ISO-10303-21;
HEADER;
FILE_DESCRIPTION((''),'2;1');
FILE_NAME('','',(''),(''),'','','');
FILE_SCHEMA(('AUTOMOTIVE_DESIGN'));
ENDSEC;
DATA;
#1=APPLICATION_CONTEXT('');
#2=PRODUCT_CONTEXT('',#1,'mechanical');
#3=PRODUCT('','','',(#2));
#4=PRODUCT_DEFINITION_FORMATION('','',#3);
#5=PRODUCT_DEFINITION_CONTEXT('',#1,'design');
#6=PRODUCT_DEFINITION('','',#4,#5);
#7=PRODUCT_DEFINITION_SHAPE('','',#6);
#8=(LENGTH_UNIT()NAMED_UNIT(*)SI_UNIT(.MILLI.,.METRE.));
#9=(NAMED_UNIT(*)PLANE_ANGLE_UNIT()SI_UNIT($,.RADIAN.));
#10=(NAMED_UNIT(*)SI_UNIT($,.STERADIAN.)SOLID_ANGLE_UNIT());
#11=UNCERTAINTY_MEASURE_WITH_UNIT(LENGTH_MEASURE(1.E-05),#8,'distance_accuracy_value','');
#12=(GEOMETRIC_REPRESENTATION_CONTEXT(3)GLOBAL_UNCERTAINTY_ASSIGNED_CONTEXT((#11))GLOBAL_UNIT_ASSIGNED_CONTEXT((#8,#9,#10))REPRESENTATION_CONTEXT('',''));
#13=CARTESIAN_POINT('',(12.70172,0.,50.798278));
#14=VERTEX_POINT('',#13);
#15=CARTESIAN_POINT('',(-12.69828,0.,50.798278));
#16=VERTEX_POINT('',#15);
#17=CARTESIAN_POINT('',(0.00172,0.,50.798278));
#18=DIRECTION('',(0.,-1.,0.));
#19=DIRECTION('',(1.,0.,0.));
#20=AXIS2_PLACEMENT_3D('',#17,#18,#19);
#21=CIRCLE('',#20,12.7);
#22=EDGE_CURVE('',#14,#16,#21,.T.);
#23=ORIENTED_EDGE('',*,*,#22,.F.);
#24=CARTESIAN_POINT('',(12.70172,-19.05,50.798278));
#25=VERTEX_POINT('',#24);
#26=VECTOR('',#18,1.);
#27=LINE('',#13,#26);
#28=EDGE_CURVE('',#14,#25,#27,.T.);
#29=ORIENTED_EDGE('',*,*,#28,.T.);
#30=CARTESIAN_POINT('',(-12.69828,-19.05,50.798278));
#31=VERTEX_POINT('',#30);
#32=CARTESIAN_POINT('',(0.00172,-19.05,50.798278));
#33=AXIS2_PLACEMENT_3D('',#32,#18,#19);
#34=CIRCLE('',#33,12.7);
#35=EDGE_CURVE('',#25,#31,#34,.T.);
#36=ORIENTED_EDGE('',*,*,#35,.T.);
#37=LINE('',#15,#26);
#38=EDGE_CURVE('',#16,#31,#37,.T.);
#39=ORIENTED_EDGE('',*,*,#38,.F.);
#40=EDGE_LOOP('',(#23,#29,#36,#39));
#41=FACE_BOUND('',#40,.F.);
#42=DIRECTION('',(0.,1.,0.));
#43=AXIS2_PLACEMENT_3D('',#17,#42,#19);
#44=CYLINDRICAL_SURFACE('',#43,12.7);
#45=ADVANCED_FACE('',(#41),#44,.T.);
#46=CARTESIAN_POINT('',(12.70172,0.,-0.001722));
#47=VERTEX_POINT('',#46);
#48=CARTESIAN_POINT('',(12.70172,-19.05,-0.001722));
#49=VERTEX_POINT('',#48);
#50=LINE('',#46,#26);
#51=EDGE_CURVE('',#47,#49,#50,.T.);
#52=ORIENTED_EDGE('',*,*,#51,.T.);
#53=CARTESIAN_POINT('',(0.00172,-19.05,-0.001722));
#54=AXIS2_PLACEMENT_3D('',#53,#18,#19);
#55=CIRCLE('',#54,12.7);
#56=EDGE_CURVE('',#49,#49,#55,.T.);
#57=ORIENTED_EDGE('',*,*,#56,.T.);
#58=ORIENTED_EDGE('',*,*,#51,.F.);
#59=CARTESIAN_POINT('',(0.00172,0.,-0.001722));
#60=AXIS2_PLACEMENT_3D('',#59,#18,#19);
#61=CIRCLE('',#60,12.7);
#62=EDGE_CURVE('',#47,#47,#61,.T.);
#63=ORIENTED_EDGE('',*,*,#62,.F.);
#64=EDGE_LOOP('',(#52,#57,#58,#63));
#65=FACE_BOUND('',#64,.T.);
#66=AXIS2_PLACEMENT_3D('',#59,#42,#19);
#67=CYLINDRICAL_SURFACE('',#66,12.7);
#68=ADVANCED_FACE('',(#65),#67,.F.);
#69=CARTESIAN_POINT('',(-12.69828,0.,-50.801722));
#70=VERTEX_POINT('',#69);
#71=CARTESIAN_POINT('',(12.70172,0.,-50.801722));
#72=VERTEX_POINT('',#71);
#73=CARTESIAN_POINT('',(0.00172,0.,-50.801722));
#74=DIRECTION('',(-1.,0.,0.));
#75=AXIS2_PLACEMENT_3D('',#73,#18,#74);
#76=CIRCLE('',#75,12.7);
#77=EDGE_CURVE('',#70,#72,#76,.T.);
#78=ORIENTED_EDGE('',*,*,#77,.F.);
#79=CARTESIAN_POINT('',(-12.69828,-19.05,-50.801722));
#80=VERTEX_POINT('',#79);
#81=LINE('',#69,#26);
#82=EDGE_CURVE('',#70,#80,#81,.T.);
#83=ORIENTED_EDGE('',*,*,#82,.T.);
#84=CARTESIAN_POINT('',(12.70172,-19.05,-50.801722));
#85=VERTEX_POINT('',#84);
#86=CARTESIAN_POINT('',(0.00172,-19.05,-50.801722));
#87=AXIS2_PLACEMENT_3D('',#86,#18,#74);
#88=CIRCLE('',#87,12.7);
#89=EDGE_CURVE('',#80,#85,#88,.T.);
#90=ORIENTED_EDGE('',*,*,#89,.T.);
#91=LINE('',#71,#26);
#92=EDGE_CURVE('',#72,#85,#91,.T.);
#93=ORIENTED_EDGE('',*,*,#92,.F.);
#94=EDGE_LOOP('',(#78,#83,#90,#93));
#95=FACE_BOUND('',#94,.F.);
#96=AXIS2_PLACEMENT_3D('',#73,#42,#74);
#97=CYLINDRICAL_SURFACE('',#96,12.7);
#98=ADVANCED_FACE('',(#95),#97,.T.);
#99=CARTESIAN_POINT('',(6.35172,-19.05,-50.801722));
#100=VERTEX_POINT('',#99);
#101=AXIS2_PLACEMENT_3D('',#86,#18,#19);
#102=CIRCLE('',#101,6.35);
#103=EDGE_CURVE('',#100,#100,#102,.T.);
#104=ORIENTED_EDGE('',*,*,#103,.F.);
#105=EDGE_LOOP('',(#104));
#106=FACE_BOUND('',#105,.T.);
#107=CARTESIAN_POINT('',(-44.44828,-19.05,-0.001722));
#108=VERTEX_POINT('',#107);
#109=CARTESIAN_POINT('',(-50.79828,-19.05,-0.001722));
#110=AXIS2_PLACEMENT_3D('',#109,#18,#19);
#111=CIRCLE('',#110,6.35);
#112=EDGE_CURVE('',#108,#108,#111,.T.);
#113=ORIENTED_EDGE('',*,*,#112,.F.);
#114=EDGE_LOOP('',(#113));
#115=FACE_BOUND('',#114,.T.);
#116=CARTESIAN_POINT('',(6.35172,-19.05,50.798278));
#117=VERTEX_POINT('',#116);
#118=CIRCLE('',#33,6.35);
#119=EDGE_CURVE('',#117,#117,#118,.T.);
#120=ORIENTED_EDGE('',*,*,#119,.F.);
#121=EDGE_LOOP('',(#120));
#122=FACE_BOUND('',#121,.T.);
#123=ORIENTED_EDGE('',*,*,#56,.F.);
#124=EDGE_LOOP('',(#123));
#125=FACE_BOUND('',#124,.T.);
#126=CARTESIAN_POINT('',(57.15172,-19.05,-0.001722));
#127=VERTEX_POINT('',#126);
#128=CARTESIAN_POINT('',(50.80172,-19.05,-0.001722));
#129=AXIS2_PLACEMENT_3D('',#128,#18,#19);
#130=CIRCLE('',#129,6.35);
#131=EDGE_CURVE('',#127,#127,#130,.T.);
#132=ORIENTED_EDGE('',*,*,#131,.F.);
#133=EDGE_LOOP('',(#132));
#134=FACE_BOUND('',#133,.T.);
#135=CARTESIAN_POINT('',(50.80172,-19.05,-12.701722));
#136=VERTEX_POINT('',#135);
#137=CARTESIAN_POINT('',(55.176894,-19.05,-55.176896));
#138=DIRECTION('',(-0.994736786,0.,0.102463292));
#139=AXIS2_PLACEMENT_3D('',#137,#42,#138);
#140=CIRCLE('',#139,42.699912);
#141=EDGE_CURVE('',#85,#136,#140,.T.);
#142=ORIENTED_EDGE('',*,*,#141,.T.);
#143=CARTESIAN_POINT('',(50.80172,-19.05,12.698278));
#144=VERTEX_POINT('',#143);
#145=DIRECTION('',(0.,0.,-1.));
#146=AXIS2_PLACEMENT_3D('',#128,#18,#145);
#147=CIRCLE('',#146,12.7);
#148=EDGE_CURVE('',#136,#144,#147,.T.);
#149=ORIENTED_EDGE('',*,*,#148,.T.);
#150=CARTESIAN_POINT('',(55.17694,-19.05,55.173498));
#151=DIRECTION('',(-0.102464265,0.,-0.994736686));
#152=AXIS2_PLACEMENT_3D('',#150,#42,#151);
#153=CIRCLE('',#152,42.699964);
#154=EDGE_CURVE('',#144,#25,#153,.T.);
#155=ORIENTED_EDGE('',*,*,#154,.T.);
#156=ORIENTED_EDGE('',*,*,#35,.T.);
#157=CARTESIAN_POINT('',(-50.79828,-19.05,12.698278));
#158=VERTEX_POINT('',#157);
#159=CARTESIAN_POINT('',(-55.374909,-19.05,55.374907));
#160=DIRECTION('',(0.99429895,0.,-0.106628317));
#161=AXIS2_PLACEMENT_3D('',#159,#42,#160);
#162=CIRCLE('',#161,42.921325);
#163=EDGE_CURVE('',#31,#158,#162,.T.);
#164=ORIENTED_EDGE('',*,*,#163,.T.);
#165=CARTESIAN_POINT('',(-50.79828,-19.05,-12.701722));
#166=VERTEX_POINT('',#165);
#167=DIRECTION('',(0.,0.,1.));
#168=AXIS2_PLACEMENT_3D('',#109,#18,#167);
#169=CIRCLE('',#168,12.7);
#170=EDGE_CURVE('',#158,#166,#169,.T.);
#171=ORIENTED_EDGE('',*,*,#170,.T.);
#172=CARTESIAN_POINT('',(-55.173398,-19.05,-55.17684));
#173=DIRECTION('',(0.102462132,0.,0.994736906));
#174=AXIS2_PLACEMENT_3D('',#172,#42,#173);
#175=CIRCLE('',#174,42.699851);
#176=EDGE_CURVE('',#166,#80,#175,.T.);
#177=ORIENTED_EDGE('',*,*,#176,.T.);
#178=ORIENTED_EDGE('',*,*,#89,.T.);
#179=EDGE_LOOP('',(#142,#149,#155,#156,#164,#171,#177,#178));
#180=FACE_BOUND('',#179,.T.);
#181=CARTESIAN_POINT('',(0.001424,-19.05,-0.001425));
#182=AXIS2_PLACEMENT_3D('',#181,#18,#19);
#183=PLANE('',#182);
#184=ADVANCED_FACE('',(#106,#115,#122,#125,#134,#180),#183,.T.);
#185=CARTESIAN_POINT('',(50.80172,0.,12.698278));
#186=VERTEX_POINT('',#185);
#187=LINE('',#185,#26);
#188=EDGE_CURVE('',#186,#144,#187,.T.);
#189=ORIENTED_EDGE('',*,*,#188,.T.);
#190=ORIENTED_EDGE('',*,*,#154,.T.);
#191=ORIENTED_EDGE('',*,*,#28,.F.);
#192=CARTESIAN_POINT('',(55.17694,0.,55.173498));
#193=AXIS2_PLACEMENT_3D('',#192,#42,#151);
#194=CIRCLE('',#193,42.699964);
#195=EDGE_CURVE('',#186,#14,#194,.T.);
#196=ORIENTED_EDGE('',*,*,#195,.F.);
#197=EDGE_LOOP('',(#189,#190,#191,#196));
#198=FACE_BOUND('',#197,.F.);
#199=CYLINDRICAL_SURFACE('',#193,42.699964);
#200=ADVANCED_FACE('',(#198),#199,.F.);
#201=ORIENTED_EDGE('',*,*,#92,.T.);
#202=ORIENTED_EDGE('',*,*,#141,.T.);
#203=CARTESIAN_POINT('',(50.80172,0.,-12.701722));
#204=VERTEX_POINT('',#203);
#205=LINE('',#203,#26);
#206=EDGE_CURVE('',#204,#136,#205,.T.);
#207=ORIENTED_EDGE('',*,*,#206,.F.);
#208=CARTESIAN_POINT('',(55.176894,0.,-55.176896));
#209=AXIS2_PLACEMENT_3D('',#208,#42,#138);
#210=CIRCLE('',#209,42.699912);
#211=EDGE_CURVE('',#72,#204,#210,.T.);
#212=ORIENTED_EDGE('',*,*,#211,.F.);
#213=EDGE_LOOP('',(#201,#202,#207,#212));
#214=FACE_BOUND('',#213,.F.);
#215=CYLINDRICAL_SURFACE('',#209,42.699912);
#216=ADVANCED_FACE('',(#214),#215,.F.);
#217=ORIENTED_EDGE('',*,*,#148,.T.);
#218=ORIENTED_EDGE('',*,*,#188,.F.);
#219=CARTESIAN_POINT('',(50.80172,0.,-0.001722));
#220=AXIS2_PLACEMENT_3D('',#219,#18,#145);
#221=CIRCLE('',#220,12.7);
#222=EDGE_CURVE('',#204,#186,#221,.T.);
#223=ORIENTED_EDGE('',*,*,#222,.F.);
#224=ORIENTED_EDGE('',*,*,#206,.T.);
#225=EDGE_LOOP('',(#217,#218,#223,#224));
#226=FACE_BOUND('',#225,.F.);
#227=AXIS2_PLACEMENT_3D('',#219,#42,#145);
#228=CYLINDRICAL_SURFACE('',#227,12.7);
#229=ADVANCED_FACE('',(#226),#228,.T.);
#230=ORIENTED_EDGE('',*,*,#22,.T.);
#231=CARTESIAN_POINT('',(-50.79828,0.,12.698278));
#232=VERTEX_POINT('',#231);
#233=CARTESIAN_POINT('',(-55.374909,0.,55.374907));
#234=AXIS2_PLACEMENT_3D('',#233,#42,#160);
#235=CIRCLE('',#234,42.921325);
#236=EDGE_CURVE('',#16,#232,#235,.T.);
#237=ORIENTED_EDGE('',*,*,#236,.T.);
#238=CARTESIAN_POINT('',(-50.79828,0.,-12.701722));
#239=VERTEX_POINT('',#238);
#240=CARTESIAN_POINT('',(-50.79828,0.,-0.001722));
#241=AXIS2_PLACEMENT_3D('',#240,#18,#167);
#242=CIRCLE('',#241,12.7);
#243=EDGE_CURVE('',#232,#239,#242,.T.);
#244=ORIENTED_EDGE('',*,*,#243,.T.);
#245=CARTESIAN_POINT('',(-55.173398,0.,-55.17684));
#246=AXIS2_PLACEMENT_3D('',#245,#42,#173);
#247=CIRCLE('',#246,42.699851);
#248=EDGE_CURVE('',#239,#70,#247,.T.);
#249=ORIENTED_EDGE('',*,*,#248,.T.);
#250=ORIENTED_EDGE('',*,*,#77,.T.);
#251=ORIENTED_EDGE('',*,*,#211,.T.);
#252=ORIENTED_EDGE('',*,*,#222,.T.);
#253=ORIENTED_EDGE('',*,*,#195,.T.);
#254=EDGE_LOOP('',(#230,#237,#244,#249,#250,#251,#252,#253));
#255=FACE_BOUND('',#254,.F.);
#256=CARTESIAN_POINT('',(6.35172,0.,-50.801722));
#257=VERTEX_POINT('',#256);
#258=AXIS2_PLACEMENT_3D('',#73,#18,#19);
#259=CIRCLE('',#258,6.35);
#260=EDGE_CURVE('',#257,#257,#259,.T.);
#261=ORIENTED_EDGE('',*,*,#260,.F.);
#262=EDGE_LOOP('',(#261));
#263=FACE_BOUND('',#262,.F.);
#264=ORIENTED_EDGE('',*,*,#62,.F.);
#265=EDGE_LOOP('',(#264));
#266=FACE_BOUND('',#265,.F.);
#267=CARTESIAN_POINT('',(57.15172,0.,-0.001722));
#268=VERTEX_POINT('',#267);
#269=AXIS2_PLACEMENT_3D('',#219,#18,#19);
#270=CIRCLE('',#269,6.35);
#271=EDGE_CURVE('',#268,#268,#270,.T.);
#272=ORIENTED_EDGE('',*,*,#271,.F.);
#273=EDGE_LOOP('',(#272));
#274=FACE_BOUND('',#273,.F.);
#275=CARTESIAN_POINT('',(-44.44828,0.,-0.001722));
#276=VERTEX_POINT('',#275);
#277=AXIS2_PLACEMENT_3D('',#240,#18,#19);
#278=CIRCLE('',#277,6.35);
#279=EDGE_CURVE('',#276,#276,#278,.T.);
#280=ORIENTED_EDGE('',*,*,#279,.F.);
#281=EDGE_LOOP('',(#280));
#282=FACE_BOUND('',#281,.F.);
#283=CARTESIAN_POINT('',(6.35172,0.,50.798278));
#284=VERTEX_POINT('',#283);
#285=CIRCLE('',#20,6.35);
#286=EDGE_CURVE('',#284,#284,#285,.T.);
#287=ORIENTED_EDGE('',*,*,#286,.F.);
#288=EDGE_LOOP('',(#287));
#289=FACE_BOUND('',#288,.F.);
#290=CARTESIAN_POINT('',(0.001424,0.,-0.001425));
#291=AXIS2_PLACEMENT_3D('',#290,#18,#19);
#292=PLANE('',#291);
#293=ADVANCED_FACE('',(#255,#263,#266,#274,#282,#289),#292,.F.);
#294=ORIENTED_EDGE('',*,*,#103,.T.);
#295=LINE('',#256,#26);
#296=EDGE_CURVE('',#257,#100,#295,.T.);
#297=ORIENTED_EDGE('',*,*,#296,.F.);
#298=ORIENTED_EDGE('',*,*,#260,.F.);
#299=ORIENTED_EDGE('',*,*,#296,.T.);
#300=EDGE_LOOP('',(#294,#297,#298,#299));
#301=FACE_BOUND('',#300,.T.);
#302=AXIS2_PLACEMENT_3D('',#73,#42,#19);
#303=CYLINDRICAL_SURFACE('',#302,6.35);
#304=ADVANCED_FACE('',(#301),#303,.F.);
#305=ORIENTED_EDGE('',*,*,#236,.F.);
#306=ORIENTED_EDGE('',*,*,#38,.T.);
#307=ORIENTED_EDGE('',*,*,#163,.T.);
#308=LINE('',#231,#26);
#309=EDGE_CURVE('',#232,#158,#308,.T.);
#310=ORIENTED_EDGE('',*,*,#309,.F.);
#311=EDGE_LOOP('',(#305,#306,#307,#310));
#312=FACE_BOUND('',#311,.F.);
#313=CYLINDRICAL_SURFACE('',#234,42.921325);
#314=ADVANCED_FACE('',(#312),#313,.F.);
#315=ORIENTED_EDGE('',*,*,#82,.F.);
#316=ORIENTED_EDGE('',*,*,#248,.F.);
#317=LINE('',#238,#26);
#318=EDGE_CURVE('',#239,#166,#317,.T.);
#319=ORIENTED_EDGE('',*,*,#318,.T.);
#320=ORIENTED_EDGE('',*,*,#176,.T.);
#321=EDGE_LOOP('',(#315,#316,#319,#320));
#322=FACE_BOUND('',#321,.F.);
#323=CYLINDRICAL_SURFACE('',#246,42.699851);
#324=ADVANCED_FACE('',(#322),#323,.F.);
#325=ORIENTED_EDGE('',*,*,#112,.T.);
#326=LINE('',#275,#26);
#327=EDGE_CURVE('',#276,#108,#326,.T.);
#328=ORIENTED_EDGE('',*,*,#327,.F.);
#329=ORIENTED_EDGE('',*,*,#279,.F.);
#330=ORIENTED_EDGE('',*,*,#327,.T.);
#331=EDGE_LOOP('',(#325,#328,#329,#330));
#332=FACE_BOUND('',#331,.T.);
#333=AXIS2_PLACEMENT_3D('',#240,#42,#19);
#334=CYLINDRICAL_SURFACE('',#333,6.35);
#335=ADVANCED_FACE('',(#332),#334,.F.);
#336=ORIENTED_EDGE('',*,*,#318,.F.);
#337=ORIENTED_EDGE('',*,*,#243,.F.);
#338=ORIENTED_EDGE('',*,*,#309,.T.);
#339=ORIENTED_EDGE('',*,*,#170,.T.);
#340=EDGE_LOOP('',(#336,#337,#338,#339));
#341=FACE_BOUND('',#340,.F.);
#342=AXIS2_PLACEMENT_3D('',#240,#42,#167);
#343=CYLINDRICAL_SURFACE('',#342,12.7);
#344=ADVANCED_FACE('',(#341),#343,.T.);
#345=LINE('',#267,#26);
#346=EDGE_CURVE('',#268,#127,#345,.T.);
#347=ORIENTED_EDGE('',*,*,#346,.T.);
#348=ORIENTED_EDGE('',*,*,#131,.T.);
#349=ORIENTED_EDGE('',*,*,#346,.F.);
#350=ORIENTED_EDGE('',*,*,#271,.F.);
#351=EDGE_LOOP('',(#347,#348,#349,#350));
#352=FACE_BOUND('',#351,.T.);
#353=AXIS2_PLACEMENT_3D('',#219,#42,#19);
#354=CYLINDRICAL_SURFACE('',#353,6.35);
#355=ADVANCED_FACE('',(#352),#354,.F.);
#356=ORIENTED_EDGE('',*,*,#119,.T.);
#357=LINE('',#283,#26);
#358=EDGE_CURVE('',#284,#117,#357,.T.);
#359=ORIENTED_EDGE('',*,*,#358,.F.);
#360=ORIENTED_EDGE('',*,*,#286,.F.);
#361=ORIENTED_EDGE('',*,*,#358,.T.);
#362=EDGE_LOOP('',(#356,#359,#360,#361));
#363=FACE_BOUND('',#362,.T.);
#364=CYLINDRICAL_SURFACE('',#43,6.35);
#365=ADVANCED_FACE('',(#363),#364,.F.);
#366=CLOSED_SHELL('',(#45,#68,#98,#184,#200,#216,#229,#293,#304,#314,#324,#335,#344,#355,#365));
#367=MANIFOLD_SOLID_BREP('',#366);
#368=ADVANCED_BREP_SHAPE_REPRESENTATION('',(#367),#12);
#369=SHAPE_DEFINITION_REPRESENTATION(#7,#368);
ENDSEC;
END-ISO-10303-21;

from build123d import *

# Parameters (mm, degrees)
F0_R     = 6.35
F0_R_2   = 12.7
F1_DEPTH = 19.05


with BuildPart() as f1:
    # F0 (on Front) → F1 (new body)
    with BuildSketch(Plane.XZ):
        with BuildLine():
            ThreePointArc((-12.69828, 50.798278), (-25.024948, 25.024947), (-50.79828, 12.698278))
            ThreePointArc((-50.79828, 12.698278), (-63.49828, -0.001722), (-50.79828, -12.701722))
            ThreePointArc((-50.79828, -12.701722), (-24.980044, -24.983485), (-12.69828, -50.801722))
            ThreePointArc((-12.69828, -50.801722), (0.00172, -63.501722), (12.70172, -50.801722))
            ThreePointArc((12.70172, -50.801722), (24.983496, -24.983498), (50.80172, -12.701722))
            ThreePointArc((50.80172, -12.701722), (63.50172, -0.001722), (50.80172, 12.698278))
            ThreePointArc((50.80172, 12.698278), (24.983506, 24.980065), (12.70172, 50.798278))
            ThreePointArc((12.70172, 50.798278), (0.00172, 63.498278), (-12.69828, 50.798278))
        make_face()
        with Locations((0.00172, -50.801722)):
            Circle(F0_R, mode=Mode.SUBTRACT)
        with Locations((-50.79828, -0.001722)):
            Circle(F0_R, mode=Mode.SUBTRACT)
        with Locations((0.00172, -0.001722)):
            Circle(F0_R_2, mode=Mode.SUBTRACT)
        with Locations((0.00172, 50.798278)):
            Circle(F0_R, mode=Mode.SUBTRACT)
        with Locations((50.80172, -0.001722)):
            Circle(F0_R, mode=Mode.SUBTRACT)
    extrude(amount=F1_DEPTH)


solid = f1.part
